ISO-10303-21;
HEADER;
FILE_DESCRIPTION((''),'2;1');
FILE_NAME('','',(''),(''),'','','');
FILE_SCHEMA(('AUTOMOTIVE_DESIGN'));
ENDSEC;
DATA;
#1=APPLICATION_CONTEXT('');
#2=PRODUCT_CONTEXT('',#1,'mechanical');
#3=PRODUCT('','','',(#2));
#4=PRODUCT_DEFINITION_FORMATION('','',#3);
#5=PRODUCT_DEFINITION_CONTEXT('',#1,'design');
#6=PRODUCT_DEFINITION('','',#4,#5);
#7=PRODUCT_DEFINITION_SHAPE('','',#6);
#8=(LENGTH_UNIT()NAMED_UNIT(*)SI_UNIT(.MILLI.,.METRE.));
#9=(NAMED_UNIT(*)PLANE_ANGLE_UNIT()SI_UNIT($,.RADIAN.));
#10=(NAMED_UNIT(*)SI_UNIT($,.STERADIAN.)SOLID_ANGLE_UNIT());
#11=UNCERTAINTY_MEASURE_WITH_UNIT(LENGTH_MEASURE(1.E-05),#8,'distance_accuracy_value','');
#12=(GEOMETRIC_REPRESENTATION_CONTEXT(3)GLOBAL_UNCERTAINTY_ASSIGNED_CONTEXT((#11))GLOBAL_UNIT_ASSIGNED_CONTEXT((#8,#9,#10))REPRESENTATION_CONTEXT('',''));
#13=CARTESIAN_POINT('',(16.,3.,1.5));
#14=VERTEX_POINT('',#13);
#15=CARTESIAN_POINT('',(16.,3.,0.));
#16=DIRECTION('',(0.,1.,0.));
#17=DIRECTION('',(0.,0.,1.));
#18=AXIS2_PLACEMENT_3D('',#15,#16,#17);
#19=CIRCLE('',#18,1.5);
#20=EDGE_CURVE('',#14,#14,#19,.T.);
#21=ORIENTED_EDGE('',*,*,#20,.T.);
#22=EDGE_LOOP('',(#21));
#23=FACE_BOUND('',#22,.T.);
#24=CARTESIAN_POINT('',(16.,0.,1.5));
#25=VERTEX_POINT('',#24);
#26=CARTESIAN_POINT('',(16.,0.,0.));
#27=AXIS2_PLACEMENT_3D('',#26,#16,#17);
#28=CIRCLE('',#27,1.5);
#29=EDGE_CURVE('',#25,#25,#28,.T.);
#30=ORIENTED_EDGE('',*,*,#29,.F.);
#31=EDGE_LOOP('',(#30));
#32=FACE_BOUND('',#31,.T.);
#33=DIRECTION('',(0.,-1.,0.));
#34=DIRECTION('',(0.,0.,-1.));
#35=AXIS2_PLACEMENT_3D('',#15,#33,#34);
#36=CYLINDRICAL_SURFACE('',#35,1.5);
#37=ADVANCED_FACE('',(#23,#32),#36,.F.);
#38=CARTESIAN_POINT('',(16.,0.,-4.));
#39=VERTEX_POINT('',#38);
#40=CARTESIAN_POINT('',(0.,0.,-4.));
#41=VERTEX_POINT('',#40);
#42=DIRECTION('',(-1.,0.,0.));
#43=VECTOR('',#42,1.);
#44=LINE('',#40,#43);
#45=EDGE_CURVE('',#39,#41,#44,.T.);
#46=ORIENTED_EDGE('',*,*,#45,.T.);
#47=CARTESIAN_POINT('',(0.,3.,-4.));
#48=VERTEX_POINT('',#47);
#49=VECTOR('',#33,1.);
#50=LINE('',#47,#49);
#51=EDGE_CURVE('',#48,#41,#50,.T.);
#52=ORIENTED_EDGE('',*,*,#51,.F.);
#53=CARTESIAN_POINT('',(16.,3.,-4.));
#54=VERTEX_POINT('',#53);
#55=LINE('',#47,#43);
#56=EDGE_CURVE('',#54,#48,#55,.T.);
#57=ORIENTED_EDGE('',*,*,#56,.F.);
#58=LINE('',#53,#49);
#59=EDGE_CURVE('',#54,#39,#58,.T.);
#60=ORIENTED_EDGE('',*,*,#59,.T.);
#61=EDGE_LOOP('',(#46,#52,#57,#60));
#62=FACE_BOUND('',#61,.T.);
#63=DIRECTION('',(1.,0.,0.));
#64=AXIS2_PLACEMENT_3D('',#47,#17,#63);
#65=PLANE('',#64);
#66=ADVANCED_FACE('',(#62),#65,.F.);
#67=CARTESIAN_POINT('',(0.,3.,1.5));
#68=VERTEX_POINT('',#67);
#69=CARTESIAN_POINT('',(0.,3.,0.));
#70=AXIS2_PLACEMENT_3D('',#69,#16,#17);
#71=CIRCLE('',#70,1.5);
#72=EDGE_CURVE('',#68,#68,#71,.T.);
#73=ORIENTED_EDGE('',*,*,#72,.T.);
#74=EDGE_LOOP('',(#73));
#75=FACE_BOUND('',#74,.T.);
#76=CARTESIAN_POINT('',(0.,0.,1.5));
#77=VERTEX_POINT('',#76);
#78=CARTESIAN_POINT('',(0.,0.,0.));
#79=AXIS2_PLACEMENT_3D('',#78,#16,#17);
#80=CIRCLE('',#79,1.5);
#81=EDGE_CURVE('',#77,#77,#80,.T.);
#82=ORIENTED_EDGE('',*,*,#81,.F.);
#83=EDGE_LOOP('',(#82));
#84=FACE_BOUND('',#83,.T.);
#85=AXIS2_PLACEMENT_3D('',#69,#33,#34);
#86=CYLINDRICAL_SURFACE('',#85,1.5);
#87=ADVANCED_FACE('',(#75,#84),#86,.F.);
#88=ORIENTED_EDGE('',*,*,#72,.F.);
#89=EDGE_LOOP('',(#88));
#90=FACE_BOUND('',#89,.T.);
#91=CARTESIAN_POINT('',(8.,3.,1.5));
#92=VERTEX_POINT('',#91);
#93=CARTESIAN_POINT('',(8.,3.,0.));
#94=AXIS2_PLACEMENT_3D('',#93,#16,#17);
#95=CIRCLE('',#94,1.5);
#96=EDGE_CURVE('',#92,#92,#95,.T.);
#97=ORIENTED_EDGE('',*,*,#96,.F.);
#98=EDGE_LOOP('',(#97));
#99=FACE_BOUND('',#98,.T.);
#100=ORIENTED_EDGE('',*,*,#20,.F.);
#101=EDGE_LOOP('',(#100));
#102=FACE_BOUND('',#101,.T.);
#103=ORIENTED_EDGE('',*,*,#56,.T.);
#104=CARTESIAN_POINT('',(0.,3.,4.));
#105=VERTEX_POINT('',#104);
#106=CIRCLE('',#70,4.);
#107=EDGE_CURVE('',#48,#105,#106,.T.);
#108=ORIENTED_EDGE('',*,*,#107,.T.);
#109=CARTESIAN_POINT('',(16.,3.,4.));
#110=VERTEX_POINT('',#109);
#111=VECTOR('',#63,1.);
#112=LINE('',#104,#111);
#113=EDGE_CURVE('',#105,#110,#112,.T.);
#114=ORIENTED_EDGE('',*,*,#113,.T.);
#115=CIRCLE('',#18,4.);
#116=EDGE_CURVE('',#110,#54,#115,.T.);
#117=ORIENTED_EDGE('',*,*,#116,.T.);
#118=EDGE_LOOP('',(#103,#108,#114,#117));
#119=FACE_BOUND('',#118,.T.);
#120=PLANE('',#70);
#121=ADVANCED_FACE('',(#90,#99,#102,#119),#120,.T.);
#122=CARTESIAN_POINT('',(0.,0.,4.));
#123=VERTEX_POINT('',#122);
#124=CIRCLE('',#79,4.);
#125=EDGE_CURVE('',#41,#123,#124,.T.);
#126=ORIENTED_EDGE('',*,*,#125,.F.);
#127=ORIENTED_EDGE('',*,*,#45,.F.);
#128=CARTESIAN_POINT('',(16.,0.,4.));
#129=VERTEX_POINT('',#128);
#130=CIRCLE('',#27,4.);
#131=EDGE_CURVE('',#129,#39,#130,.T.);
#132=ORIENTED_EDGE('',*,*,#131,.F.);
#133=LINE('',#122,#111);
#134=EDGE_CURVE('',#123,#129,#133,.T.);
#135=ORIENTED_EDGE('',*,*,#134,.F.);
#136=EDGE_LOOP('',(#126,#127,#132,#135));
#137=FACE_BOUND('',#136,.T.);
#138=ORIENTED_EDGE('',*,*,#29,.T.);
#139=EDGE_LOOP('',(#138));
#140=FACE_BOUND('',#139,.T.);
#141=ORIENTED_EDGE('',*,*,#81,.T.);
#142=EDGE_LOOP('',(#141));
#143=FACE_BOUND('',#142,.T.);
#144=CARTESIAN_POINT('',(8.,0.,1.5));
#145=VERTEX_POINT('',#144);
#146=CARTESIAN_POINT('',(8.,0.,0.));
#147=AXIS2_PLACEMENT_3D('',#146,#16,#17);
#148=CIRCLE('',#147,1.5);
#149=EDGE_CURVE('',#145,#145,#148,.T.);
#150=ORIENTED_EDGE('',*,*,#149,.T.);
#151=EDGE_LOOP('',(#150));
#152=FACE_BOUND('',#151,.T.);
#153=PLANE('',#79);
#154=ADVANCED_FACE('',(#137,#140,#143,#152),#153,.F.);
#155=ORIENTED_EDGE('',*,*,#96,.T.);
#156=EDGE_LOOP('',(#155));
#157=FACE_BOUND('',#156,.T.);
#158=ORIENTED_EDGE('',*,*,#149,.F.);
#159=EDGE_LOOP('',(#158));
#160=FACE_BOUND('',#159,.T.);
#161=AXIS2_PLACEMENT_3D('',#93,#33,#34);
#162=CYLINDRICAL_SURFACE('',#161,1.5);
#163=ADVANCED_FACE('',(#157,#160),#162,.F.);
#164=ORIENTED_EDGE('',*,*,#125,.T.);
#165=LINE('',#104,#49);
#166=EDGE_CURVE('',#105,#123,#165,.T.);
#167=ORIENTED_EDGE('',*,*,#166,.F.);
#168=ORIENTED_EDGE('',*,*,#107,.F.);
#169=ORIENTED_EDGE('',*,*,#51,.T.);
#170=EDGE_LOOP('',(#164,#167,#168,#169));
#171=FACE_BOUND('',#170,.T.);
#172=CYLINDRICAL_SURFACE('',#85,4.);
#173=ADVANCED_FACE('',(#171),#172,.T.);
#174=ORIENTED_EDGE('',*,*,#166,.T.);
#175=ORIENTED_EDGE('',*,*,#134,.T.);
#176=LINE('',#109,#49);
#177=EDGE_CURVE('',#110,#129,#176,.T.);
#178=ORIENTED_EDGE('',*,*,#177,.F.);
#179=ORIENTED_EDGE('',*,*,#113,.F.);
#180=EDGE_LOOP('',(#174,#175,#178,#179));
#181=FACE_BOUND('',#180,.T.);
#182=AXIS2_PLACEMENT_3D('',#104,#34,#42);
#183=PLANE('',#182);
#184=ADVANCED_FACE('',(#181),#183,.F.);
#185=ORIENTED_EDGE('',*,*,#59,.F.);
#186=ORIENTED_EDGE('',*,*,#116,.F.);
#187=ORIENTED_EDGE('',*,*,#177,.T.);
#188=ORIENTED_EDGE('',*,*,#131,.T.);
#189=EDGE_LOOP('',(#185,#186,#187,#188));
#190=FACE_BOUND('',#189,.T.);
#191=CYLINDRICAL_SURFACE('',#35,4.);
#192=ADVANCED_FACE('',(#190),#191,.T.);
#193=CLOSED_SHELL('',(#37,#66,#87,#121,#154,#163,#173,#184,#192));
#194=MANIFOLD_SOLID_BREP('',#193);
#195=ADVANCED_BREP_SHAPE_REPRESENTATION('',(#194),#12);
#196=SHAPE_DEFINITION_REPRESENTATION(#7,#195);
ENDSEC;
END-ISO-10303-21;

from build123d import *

# Parameters (mm, degrees)
SKETCH2_R             = 1.5
BOSS_EXTRUDE2_DEPTH   = 3
BOSS_EXTRUDE2_2_DEPTH = 3
BOSS_EXTRUDE2_3_DEPTH = 3
BOSS_EXTRUDE2_4_DEPTH = 3
BOSS_EXTRUDE2_5_DEPTH = 3
BOSS_EXTRUDE2_6_DEPTH = 3
BOSS_EXTRUDE2_7_DEPTH = 3
BOSS_EXTRUDE2_8_DEPTH = 3
BOSS_EXTRUDE2_9_DEPTH = 3
SKETCH3_W             = 64.685996336
SKETCH3_H             = 8.346580173
CUT_EXTRUDE1_DEPTH    = 10


with BuildPart() as part:
    # Sketch2 → Boss-Extrude2 (new body)
    with BuildSketch(Plane(origin=(0, 0, 0), x_dir=(1, 0, 0), z_dir=(0, 1, 0))):
        with Locations(Location((24, 0, 0), (0, 0, 270))):
            Circle(SKETCH2_R)
    extrude(amount=BOSS_EXTRUDE2_DEPTH)


with BuildPart() as body_2:
    # Sketch2 → Boss-Extrude2 2 (new body)
    with BuildSketch(Plane(origin=(0, 0, 0), x_dir=(1, 0, 0), z_dir=(0, 1, 0))):
        with Locations(Location((32, 0, 0), (0, 0, 270))):
            Circle(SKETCH2_R)
    extrude(amount=BOSS_EXTRUDE2_2_DEPTH)


with BuildPart() as body_3:
    # Sketch2 → Boss-Extrude2 3 (new body)
    with BuildSketch(Plane(origin=(0, 0, 0), x_dir=(1, 0, 0), z_dir=(0, 1, 0))):
        with Locations(Location((40, 0, 0), (0, 0, 270))):
            Circle(SKETCH2_R)
    extrude(amount=BOSS_EXTRUDE2_3_DEPTH)


with BuildPart() as body_4:
    # Sketch2 → Boss-Extrude2 4 (new body)
    with BuildSketch(Plane(origin=(0, 0, 0), x_dir=(1, 0, 0), z_dir=(0, 1, 0))):
        with Locations(Location((48, 0, 0), (0, 0, 270))):
            Circle(SKETCH2_R)
    extrude(amount=BOSS_EXTRUDE2_4_DEPTH)


with BuildPart() as body_5:
    # Sketch2 → Boss-Extrude2 5 (new body)
    with BuildSketch(Plane(origin=(0, 0, 0), x_dir=(1, 0, 0), z_dir=(0, 1, 0))):
        with Locations(Location((56, 0, 0), (0, 0, 270))):
            Circle(SKETCH2_R)
    extrude(amount=BOSS_EXTRUDE2_5_DEPTH)


with BuildPart() as body_6:
    # Sketch2 → Boss-Extrude2 6 (new body)
    with BuildSketch(Plane(origin=(0, 0, 0), x_dir=(1, 0, 0), z_dir=(0, 1, 0))):
        with Locations(Location((64, 0, 0), (0, 0, 270))):
            Circle(SKETCH2_R)
    extrude(amount=BOSS_EXTRUDE2_6_DEPTH)


with BuildPart() as body_7:
    # Sketch2 → Boss-Extrude2 7 (new body)
    with BuildSketch(Plane(origin=(0, 0, 0), x_dir=(1, 0, 0), z_dir=(0, 1, 0))):
        with Locations(Location((72, 0, 0), (0, 0, 270))):
            Circle(SKETCH2_R)
    extrude(amount=BOSS_EXTRUDE2_7_DEPTH)


with BuildPart() as body_8:
    # Sketch2 → Boss-Extrude2 8 (new body)
    with BuildSketch(Plane(origin=(0, 0, 0), x_dir=(1, 0, 0), z_dir=(0, 1, 0))):
        with Locations(Location((80, 0, 0), (0, 0, 270))):
            Circle(SKETCH2_R)
    extrude(amount=BOSS_EXTRUDE2_8_DEPTH)


with BuildPart() as body_9:
    # Sketch2 → Boss-Extrude2 9 (new body)
    with BuildSketch(Plane(origin=(0, 0, 0), x_dir=(1, 0, 0), z_dir=(0, 1, 0))):
        with BuildLine():
            Line((0, 4), (16, 4))
            ThreePointArc((16, 4), (20, 0), (16, -4))
            Line((16, -4), (0, -4))
            ThreePointArc((0, -4), (-4, 0), (0, 4))
        make_face()
        with Locations(Location((0, 0, 0), (0, 0, 270))):
            Circle(SKETCH2_R, mode=Mode.SUBTRACT)
        with Locations(Location((8, 0, 0), (0, 0, 270))):
            Circle(SKETCH2_R, mode=Mode.SUBTRACT)
        with Locations(Location((16, 0, 0), (0, 0, 270))):
            Circle(SKETCH2_R, mode=Mode.SUBTRACT)
    extrude(amount=BOSS_EXTRUDE2_9_DEPTH)


with BuildPart() as cut_extrude1_tool:
    # Sketch3 → Cut-Extrude1 (new body)
    with BuildSketch(Plane.XZ):
        with Locations((54.20188262, -0.75152397)):
            Rectangle(SKETCH3_W, SKETCH3_H)
    extrude(amount=-CUT_EXTRUDE1_DEPTH)


with BuildPart() as part_1:
    add(part.part)

    # Cut-Extrude1: cut by cut_extrude1_tool
    add(cut_extrude1_tool.part, mode=Mode.SUBTRACT)


with BuildPart() as body_2_1:
    add(body_2.part)

    # Cut-Extrude1: cut by cut_extrude1_tool
    add(cut_extrude1_tool.part, mode=Mode.SUBTRACT)


with BuildPart() as body_3_1:
    add(body_3.part)

    # Cut-Extrude1: cut by cut_extrude1_tool
    add(cut_extrude1_tool.part, mode=Mode.SUBTRACT)


with BuildPart() as body_4_1:
    add(body_4.part)

    # Cut-Extrude1: cut by cut_extrude1_tool
    add(cut_extrude1_tool.part, mode=Mode.SUBTRACT)


with BuildPart() as body_5_1:
    add(body_5.part)

    # Cut-Extrude1: cut by cut_extrude1_tool
    add(cut_extrude1_tool.part, mode=Mode.SUBTRACT)


with BuildPart() as body_6_1:
    add(body_6.part)

    # Cut-Extrude1: cut by cut_extrude1_tool
    add(cut_extrude1_tool.part, mode=Mode.SUBTRACT)


with BuildPart() as body_7_1:
    add(body_7.part)

    # Cut-Extrude1: cut by cut_extrude1_tool
    add(cut_extrude1_tool.part, mode=Mode.SUBTRACT)


with BuildPart() as body_8_1:
    add(body_8.part)

    # Cut-Extrude1: cut by cut_extrude1_tool
    add(cut_extrude1_tool.part, mode=Mode.SUBTRACT)


solid = body_9.part
